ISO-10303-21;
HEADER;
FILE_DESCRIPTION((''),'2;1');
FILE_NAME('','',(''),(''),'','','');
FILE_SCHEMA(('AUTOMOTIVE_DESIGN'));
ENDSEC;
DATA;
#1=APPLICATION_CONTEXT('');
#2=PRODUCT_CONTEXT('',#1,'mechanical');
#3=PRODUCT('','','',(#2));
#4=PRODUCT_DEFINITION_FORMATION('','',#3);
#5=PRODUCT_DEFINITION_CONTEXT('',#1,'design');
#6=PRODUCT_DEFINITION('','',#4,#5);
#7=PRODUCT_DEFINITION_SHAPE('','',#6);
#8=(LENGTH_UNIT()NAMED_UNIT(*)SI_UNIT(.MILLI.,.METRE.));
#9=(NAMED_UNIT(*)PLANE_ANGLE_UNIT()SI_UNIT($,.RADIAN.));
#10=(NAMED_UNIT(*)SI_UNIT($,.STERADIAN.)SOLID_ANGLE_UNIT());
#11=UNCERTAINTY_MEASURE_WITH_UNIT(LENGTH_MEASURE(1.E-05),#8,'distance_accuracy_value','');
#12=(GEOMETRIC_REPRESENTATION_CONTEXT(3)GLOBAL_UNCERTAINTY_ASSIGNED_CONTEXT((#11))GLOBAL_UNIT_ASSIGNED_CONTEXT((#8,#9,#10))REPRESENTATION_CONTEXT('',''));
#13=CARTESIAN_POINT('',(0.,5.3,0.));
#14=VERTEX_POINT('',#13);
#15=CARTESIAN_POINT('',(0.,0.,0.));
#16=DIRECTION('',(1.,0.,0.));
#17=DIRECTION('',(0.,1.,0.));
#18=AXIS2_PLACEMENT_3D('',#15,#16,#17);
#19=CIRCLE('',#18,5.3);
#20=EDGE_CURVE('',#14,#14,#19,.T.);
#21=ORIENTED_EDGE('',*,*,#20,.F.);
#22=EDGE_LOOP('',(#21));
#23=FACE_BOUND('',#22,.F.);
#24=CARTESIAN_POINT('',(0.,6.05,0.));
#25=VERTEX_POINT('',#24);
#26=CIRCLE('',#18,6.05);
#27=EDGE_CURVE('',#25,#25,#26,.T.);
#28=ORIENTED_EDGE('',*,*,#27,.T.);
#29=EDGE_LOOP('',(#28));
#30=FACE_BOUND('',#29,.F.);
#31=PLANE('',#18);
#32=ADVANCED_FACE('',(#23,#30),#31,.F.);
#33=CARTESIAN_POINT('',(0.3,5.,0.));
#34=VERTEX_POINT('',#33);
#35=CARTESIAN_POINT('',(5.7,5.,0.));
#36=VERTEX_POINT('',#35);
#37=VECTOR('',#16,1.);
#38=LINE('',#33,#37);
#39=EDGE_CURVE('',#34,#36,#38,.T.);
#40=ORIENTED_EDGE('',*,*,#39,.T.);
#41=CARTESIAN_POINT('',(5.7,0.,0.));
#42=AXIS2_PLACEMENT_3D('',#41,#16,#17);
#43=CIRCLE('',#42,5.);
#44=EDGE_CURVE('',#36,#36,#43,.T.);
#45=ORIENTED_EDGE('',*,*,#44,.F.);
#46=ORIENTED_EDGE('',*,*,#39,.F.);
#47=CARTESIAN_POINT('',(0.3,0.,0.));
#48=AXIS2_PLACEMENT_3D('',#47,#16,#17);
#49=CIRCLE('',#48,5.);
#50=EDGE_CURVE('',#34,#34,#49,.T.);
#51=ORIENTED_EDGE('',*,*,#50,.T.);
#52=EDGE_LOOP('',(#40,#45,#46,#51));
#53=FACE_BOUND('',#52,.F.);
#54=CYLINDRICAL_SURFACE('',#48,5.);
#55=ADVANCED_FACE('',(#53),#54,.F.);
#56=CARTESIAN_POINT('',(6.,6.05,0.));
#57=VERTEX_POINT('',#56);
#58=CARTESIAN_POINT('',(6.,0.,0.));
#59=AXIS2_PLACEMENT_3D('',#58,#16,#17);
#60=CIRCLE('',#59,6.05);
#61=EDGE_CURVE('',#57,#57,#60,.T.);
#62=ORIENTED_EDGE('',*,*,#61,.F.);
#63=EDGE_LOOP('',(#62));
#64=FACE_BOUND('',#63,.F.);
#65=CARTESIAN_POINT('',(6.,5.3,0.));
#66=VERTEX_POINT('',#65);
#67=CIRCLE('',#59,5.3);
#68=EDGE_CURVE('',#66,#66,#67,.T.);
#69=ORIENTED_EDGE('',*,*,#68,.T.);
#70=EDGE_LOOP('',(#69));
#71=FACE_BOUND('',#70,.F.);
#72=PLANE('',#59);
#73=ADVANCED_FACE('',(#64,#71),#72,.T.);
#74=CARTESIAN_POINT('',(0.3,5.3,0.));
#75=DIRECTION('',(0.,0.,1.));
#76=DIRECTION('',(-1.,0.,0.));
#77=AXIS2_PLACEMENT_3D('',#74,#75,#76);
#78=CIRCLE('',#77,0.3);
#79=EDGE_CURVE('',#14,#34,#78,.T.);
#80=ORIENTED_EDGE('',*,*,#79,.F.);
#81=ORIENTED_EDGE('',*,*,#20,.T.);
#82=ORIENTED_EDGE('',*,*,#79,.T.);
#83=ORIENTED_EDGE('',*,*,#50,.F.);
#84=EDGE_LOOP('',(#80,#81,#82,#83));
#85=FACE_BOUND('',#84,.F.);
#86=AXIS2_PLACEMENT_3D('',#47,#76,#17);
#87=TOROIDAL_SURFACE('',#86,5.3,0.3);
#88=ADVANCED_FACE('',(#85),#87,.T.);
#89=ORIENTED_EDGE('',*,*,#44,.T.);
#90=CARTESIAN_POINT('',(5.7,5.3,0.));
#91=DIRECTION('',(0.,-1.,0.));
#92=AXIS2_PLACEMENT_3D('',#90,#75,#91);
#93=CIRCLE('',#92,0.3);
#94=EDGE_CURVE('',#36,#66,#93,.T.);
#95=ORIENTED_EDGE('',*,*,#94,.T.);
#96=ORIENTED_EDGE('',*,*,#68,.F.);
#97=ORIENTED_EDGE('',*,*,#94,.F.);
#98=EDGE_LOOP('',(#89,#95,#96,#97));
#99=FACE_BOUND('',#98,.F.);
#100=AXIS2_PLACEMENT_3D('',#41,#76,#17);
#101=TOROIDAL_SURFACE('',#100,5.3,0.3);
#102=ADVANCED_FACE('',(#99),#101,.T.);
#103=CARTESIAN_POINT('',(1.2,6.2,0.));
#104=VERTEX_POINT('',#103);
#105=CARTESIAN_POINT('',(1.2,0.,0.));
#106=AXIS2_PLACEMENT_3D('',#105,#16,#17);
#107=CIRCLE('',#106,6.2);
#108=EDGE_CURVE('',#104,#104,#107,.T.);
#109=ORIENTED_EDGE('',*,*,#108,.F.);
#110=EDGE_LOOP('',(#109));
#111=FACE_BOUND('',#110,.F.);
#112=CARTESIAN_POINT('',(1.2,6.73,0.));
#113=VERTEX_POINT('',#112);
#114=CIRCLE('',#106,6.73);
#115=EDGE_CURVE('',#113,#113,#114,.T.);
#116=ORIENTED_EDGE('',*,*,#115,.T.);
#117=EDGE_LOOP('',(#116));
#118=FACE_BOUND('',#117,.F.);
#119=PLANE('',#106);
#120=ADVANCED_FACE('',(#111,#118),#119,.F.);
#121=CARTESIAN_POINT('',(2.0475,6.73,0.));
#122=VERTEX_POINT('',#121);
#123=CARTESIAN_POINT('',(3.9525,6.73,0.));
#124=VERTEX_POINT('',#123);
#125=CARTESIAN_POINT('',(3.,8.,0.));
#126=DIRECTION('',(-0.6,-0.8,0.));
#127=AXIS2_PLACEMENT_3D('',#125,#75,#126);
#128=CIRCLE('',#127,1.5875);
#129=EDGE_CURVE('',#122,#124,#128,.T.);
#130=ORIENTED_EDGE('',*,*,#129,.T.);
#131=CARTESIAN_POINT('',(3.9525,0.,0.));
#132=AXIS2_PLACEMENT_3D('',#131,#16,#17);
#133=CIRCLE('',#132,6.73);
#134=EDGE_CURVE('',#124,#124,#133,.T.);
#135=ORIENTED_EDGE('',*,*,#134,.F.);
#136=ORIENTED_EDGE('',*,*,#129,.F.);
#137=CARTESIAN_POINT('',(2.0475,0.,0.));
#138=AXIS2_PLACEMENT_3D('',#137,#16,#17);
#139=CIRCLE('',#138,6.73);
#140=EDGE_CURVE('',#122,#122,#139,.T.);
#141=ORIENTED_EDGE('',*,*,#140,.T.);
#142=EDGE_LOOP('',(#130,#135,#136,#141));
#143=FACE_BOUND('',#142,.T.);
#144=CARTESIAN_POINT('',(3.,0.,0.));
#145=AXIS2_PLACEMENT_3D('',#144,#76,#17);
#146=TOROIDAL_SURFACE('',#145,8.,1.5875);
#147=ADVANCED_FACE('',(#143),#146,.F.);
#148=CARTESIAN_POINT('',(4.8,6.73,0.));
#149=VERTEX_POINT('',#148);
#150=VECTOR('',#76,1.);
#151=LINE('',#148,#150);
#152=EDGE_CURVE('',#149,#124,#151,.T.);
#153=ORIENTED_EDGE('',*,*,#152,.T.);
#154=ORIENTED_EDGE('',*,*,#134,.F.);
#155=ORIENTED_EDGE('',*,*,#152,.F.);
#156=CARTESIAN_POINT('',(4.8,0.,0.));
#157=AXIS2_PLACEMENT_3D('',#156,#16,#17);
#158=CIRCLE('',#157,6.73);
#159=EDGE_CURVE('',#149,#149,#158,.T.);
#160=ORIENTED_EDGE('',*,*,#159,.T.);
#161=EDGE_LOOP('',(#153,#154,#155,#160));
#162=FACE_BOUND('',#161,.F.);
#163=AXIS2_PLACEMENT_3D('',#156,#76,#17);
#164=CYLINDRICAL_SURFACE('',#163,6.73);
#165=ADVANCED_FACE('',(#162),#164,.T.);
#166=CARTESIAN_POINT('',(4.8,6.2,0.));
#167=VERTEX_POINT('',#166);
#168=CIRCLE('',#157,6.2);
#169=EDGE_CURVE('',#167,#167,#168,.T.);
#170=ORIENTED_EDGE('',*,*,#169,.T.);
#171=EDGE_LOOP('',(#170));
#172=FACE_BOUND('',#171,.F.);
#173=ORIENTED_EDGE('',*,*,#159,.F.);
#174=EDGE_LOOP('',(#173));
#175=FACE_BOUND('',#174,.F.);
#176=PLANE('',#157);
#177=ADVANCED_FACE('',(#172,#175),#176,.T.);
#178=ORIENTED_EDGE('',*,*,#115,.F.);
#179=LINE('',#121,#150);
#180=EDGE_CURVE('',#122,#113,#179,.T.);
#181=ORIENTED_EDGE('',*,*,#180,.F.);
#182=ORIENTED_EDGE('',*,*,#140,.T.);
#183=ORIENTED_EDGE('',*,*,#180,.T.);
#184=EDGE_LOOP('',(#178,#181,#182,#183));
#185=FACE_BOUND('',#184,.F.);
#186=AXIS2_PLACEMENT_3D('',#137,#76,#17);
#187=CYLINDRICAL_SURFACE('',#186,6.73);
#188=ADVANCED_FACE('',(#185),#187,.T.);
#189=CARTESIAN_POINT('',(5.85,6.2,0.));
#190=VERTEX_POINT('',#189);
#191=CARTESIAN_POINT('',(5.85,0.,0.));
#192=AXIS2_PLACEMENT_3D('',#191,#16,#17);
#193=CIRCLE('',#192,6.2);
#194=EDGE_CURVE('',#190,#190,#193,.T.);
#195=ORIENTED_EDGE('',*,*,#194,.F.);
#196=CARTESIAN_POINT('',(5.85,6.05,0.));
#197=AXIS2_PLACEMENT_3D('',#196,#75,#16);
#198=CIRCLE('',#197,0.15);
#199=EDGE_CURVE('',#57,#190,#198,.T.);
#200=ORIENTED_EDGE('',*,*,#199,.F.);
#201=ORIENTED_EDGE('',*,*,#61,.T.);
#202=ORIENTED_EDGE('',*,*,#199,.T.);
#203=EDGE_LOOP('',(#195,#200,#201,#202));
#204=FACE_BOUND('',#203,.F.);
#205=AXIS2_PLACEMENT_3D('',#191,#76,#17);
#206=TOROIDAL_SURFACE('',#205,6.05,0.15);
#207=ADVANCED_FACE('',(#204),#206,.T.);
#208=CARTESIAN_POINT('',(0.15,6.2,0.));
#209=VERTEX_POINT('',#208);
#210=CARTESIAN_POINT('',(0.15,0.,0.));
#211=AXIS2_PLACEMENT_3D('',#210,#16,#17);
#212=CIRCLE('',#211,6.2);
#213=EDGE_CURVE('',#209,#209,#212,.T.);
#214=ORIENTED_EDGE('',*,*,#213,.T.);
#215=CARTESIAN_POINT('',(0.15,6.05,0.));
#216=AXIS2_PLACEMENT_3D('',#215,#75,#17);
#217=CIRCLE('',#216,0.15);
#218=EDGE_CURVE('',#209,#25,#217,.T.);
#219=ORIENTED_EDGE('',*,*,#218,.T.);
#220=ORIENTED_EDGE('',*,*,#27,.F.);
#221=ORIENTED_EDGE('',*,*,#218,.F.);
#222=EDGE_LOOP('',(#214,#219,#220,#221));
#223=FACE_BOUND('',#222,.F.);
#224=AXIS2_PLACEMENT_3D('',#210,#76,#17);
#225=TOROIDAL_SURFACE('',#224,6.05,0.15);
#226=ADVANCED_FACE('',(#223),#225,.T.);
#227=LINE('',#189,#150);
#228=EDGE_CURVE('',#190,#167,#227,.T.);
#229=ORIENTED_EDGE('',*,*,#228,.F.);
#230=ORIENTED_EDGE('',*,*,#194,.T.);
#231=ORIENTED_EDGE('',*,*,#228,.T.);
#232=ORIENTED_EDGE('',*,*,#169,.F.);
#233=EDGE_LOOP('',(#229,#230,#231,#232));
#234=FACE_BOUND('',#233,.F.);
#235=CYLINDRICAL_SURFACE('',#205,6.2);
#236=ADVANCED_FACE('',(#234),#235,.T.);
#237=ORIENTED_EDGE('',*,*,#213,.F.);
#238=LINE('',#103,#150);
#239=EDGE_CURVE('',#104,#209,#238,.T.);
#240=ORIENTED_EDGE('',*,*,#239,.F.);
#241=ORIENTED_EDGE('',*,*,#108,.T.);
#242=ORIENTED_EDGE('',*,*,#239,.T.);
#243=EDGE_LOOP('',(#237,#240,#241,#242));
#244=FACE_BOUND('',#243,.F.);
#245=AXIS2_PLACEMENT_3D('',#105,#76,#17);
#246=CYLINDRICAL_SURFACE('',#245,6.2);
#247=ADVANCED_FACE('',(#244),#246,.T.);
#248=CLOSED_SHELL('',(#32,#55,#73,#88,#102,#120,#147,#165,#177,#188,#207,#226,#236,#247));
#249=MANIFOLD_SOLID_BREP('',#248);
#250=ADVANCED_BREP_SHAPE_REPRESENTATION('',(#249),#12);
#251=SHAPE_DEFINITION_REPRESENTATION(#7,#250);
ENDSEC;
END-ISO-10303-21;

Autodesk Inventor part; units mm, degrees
sketch "Sketch_6" plane through (0, 0, 0) normal (0, 0, 1) x (1, 0, 0)
  line L0 (6, 0) -> (0, 0)
  line L1 (0, 6.05) -> (0, 5.3)
  arc A0 (0, 5.3) -> (0.3, 5) centre (0.3, 5.3) ccw
  line L2 (0.3, 5) -> (5.7, 5)
  arc A1 (5.7, 5) -> (6, 5.3) centre (5.7, 5.3) ccw
  line L3 (6, 5.3) -> (6, 6.05)
  arc A2 (6, 6.05) -> (5.85, 6.2) centre (5.85, 6.05) ccw
  line L4 (5.85, 6.2) -> (4.8, 6.2)
  line L5 (4.8, 6.2) -> (4.8, 6.73)
  line L6 (4.8, 6.73) -> (3.9525, 6.73)
  arc A3 (2.0475, 6.73) -> (3.9525, 6.73) centre (3, 8) ccw
  line L7 (2.0475, 6.73) -> (1.2, 6.73)
  line L8 (1.2, 6.73) -> (1.2, 6.2)
  line L9 (1.2, 6.2) -> (0.15, 6.2)
  arc A4 (0.15, 6.2) -> (0, 6.05) centre (0.15, 6.05) ccw
revolve "Revolution1" add sketch "Sketch_6" angle 360 about axis through (6, 0, 0) along (1, 0, 0)
ref_plane "1_XY" through (3, 0, 0) normal (1, 0, 0) x (0, 0, -1)
ref_plane "1_YZ" through (3, 0, 0) normal (0, 0, -1) x (0, 1, 0)
ref_plane "1_ZX" through (3, 0, 0) normal (0, 1, 0) x (1, 0, 0)
ref_plane "Dummy_XY" through (0, 0, 0) normal (1, 0, 0) x (0, 0, -1)
ref_plane "Dummy_YZ" through (0, 0, 0) normal (0, 0, -1) x (0, 1, 0)
ref_plane "Dummy_ZX" through (0, 0, 0) normal (0, 1, 0) x (1, 0, 0)
ref_plane "shield1_XY" through (0.4, 0, 0) normal (1, 0, 0) x (0, 0, -1)
ref_plane "shield1_YZ" through (0.4, 0, 0) normal (0, 0, -1) x (0, 1, 0)
ref_plane "shield1_ZX" through (0.4, 0, 0) normal (0, 1, 0) x (1, 0, 0)
ref_plane "shield2_XY" through (5.6, 0, 0) normal (-1, 0, 0) x (0, 0, -1)
ref_plane "shield2_YZ" through (5.6, 0, 0) normal (0, 0, -1) x (0, -1, 0)
ref_plane "shield2_ZX" through (5.6, 0, 0) normal (0, -1, 0) x (-1, 0, 0)
properties part number "RF-2210X2HH_ir"
